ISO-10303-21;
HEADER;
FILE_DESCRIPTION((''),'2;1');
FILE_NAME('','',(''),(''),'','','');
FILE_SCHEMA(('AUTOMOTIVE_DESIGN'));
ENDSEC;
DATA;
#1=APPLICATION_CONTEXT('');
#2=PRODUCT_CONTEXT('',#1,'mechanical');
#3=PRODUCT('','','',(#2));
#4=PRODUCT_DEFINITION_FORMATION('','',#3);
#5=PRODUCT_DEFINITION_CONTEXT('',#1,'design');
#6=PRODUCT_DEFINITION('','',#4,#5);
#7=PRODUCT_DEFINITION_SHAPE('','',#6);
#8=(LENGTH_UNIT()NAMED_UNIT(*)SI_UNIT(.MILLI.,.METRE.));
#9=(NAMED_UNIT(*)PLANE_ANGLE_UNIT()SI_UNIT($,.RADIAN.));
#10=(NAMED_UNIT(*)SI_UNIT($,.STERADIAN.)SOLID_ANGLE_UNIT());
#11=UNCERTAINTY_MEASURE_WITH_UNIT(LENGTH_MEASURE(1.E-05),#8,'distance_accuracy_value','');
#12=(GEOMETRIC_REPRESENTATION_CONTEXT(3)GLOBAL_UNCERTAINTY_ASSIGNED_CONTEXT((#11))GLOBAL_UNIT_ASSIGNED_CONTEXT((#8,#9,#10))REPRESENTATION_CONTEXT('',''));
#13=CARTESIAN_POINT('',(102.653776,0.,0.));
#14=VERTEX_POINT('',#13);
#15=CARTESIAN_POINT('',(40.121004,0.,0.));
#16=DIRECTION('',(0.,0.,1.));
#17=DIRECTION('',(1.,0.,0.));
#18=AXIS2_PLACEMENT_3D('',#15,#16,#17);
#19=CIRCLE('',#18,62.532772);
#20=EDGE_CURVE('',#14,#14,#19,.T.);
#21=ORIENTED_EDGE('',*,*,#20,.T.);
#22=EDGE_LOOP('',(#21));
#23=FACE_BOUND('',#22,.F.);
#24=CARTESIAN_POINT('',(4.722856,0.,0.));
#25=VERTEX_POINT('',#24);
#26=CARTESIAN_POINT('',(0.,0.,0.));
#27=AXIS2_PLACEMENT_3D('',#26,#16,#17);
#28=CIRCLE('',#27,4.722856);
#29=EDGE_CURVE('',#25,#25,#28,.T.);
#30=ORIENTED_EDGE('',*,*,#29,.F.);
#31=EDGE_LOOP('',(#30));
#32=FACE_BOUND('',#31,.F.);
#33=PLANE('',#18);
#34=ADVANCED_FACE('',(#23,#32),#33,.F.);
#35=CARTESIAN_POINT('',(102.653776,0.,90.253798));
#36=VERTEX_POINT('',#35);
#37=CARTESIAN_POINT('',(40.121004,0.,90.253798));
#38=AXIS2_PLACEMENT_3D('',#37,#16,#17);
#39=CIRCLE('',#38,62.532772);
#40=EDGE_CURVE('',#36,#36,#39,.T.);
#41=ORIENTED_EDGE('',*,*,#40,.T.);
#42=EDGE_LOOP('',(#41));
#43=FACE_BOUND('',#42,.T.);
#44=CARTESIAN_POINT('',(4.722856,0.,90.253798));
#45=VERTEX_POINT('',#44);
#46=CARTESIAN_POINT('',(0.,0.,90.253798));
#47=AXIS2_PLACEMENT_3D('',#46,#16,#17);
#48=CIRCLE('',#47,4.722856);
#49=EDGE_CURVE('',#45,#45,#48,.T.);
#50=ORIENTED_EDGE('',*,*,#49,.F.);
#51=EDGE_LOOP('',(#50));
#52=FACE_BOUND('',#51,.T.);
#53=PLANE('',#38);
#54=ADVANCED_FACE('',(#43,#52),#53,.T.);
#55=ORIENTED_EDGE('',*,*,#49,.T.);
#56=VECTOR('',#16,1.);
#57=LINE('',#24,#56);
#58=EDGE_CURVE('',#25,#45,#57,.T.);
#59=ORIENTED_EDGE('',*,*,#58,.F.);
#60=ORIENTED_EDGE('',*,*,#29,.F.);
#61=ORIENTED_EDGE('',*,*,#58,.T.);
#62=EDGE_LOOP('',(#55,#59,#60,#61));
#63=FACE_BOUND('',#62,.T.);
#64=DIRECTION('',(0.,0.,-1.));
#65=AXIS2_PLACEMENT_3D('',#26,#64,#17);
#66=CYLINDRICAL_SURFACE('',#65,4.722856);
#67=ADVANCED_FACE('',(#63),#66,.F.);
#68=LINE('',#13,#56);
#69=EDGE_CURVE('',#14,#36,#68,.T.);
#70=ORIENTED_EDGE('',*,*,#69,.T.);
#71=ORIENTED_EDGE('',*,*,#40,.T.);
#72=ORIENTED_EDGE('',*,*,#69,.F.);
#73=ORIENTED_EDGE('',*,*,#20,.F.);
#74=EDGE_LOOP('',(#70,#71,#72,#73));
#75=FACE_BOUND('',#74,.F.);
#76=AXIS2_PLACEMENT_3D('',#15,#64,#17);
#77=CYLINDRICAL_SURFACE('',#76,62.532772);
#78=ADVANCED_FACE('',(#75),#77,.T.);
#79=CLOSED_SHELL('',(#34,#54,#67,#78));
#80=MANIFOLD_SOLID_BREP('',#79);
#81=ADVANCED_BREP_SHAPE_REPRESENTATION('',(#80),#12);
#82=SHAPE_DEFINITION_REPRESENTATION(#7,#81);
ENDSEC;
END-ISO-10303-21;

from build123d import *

# Parameters (mm, degrees)
F0_R     = 62.532772
F0_R_2   = 4.722856
F1_DEPTH = 90.253798


with BuildPart() as f1:
    # F0 (on Top) → F1 (new body)
    with BuildSketch(Plane.XY):
        with Locations((40.121004, 0)):
            Circle(F0_R)
        Circle(F0_R_2, mode=Mode.SUBTRACT)
    extrude(amount=F1_DEPTH)


solid = f1.part
